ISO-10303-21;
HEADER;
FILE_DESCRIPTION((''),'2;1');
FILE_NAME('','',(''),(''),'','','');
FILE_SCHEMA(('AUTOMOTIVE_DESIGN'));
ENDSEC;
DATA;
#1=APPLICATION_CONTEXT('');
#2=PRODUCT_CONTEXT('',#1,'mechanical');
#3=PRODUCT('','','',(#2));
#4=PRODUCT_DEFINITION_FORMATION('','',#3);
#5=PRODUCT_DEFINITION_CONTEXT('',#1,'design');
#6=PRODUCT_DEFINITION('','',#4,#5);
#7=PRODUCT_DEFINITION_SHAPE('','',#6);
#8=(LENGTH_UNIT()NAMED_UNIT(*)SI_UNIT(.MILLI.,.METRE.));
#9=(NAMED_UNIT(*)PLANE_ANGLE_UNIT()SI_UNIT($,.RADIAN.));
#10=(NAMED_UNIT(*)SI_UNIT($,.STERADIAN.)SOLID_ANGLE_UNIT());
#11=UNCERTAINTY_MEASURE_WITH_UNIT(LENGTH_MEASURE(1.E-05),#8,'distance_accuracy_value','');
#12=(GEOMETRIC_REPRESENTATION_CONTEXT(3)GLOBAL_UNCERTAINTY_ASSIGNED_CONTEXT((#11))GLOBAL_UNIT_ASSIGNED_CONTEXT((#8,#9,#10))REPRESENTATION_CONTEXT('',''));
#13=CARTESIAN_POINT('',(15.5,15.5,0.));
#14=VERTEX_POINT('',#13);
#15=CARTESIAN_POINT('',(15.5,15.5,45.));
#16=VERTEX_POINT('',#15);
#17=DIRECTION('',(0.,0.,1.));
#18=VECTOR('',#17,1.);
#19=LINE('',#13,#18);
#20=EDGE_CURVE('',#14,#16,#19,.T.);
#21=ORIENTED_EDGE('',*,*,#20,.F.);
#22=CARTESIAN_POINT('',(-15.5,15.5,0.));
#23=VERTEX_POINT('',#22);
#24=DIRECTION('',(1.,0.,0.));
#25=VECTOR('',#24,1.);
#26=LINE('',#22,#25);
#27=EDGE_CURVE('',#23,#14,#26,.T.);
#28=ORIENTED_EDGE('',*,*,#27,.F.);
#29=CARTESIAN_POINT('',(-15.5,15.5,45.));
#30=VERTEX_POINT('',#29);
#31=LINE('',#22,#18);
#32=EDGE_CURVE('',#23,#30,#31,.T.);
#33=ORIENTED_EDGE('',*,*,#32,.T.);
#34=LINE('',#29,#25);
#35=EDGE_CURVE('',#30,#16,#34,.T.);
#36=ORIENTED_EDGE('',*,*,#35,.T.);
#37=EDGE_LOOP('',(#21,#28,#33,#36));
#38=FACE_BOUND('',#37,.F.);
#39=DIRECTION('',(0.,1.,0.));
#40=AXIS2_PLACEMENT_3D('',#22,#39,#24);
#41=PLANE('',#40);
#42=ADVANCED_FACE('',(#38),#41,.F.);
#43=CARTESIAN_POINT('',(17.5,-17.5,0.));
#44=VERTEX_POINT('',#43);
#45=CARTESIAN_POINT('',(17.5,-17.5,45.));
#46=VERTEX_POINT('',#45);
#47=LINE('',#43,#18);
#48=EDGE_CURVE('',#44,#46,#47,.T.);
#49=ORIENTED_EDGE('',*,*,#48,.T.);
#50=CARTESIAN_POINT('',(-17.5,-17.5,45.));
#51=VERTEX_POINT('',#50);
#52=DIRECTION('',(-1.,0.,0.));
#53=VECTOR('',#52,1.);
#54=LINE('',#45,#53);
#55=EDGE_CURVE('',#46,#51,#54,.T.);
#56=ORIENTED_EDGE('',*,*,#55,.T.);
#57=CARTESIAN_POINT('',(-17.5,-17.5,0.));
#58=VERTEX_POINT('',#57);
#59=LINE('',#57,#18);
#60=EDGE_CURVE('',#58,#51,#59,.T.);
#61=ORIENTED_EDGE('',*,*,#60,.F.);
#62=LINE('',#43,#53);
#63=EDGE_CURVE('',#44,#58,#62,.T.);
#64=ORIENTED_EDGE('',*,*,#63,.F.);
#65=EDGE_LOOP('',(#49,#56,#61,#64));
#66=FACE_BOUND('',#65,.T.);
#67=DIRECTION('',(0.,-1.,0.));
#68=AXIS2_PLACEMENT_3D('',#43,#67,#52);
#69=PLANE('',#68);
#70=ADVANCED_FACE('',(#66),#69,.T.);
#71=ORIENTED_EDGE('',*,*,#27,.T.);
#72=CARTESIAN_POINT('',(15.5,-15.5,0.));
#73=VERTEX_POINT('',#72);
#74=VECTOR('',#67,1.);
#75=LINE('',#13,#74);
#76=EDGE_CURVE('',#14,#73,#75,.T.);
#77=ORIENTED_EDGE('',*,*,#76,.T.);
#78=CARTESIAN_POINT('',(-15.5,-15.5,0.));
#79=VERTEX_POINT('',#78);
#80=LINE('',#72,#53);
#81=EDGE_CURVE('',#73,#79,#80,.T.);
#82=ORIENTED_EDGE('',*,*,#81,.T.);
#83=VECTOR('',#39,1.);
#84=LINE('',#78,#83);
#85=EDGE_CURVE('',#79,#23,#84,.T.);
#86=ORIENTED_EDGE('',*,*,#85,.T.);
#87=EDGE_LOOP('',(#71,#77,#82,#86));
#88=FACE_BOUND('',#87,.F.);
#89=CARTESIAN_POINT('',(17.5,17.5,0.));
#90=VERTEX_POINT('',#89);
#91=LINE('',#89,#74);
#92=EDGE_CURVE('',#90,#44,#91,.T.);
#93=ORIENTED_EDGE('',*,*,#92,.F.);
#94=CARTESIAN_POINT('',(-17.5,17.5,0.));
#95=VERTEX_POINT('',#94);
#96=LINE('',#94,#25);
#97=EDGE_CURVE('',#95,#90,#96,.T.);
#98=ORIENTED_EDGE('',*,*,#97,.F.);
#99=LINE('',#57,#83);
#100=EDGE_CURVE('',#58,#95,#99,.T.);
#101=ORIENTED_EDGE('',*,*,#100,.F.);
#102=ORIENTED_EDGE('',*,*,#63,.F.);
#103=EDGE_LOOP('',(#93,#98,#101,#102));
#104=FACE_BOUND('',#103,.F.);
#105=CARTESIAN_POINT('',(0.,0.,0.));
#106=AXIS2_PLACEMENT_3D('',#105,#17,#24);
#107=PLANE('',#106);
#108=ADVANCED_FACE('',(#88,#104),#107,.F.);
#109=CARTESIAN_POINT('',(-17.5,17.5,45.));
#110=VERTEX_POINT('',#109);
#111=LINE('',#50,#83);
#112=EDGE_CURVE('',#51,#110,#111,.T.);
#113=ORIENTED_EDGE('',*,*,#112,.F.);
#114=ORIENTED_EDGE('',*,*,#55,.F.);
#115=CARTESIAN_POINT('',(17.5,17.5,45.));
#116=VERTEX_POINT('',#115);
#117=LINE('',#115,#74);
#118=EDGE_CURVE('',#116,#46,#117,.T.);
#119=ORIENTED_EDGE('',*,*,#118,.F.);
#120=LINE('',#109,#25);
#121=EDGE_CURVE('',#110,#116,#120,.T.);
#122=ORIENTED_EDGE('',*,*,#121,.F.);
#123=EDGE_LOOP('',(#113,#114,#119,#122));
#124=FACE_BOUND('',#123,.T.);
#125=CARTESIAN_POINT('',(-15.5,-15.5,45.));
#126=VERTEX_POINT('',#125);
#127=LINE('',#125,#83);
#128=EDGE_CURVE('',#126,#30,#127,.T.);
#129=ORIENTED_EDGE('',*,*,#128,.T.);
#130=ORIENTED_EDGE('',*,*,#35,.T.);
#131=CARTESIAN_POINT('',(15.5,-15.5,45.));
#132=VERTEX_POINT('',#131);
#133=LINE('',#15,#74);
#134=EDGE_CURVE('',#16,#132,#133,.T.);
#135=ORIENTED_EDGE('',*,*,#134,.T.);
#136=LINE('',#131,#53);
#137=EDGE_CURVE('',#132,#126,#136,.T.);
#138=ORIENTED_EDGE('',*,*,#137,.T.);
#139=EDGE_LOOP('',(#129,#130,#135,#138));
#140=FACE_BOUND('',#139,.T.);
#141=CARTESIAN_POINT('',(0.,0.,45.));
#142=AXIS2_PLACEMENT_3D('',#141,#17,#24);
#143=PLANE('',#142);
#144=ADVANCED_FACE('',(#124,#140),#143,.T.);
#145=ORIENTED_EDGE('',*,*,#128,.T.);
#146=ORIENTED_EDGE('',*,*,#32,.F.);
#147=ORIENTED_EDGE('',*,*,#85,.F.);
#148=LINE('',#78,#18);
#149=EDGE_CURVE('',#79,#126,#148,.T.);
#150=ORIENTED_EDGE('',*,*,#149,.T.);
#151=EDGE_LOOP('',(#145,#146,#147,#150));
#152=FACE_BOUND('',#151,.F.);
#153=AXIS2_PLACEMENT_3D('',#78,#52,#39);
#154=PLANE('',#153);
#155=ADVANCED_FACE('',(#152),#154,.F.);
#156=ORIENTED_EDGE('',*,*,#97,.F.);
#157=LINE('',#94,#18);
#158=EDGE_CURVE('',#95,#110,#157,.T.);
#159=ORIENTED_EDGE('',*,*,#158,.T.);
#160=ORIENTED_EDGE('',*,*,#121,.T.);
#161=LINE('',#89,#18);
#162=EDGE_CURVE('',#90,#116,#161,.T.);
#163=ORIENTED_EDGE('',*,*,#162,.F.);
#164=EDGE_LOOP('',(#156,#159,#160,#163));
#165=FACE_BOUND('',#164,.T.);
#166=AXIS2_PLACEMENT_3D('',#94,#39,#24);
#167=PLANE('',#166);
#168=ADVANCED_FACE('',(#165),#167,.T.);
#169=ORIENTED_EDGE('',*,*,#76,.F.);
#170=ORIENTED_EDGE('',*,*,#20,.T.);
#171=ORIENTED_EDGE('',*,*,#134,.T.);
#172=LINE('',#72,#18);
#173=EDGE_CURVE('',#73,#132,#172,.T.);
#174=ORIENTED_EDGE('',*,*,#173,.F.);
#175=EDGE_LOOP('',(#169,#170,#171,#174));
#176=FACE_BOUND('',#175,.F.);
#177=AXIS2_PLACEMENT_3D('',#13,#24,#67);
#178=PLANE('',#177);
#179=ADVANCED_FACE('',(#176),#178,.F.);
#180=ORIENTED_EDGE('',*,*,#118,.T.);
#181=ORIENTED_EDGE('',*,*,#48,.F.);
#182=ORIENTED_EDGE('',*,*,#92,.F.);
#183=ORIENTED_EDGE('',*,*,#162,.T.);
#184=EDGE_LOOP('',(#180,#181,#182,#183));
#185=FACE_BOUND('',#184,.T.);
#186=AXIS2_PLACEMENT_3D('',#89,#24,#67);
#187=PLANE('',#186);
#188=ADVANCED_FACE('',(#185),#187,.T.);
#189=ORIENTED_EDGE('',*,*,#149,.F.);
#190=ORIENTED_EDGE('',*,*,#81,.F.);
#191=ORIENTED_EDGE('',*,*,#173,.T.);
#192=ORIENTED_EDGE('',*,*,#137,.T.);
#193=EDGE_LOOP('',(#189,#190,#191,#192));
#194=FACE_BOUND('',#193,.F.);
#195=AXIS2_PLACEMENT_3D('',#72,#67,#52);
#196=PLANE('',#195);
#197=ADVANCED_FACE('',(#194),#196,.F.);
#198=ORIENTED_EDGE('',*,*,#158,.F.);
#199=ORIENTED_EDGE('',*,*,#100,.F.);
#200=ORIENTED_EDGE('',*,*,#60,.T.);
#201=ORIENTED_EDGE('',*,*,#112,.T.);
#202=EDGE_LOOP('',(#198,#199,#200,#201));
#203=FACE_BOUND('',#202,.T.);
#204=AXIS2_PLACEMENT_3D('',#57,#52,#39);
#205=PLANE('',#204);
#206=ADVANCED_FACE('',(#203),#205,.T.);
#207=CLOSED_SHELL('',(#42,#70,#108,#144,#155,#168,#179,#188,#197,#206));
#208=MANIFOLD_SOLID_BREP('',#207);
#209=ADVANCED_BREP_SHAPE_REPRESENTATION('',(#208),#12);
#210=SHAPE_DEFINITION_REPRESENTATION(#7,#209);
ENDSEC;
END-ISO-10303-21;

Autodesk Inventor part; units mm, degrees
ref_plane "YZ Plane" through (0, 0, 0) normal (1, 0, 0) x (0, 1, 0)
ref_plane "XZ Plane" through (0, 0, 0) normal (0, 1, 0) x (-1, 0, 0)
ref_plane "XY Plane" through (0, 0, 0) normal (0, 0, 1) x (1, 0, 0)
sketch "Boceto1" plane through (0, 0, 0) normal (0, 0, 1) x (1, 0, 0)
  line L0 (-17.5, 17.5) -> (17.5, 17.5)
  line L1 (17.5, 17.5) -> (17.5, -17.5)
  line L2 (17.5, -17.5) -> (-17.5, -17.5)
  line L3 (-17.5, -17.5) -> (-17.5, 17.5)
  line L4 (-17.5, 17.5) -> (17.5, -17.5) construction
  line L5 (-15.5, 15.5) -> (15.5, 15.5)
  line L6 (15.5, 15.5) -> (15.5, -15.5)
  line L7 (15.5, -15.5) -> (-15.5, -15.5)
  line L8 (-15.5, -15.5) -> (-15.5, 15.5)
  line L9 (-15.5, 0) -> (-17.5, 0) construction
  line L10 (0, 15.5) -> (0, 17.5) construction
  line L11 (15.5, 0) -> (17.5, 0) construction
  line L12 (0, -15.5) -> (0, -17.5) construction
  point P0 (0, 0)
  point P1 (0, 0)
  dimension "d0" = 35
  dimension "d1" = 2
extrude "Extrusión1" add sketch "Boceto1" along normal blind 45
properties part number "C_358_40_2"
